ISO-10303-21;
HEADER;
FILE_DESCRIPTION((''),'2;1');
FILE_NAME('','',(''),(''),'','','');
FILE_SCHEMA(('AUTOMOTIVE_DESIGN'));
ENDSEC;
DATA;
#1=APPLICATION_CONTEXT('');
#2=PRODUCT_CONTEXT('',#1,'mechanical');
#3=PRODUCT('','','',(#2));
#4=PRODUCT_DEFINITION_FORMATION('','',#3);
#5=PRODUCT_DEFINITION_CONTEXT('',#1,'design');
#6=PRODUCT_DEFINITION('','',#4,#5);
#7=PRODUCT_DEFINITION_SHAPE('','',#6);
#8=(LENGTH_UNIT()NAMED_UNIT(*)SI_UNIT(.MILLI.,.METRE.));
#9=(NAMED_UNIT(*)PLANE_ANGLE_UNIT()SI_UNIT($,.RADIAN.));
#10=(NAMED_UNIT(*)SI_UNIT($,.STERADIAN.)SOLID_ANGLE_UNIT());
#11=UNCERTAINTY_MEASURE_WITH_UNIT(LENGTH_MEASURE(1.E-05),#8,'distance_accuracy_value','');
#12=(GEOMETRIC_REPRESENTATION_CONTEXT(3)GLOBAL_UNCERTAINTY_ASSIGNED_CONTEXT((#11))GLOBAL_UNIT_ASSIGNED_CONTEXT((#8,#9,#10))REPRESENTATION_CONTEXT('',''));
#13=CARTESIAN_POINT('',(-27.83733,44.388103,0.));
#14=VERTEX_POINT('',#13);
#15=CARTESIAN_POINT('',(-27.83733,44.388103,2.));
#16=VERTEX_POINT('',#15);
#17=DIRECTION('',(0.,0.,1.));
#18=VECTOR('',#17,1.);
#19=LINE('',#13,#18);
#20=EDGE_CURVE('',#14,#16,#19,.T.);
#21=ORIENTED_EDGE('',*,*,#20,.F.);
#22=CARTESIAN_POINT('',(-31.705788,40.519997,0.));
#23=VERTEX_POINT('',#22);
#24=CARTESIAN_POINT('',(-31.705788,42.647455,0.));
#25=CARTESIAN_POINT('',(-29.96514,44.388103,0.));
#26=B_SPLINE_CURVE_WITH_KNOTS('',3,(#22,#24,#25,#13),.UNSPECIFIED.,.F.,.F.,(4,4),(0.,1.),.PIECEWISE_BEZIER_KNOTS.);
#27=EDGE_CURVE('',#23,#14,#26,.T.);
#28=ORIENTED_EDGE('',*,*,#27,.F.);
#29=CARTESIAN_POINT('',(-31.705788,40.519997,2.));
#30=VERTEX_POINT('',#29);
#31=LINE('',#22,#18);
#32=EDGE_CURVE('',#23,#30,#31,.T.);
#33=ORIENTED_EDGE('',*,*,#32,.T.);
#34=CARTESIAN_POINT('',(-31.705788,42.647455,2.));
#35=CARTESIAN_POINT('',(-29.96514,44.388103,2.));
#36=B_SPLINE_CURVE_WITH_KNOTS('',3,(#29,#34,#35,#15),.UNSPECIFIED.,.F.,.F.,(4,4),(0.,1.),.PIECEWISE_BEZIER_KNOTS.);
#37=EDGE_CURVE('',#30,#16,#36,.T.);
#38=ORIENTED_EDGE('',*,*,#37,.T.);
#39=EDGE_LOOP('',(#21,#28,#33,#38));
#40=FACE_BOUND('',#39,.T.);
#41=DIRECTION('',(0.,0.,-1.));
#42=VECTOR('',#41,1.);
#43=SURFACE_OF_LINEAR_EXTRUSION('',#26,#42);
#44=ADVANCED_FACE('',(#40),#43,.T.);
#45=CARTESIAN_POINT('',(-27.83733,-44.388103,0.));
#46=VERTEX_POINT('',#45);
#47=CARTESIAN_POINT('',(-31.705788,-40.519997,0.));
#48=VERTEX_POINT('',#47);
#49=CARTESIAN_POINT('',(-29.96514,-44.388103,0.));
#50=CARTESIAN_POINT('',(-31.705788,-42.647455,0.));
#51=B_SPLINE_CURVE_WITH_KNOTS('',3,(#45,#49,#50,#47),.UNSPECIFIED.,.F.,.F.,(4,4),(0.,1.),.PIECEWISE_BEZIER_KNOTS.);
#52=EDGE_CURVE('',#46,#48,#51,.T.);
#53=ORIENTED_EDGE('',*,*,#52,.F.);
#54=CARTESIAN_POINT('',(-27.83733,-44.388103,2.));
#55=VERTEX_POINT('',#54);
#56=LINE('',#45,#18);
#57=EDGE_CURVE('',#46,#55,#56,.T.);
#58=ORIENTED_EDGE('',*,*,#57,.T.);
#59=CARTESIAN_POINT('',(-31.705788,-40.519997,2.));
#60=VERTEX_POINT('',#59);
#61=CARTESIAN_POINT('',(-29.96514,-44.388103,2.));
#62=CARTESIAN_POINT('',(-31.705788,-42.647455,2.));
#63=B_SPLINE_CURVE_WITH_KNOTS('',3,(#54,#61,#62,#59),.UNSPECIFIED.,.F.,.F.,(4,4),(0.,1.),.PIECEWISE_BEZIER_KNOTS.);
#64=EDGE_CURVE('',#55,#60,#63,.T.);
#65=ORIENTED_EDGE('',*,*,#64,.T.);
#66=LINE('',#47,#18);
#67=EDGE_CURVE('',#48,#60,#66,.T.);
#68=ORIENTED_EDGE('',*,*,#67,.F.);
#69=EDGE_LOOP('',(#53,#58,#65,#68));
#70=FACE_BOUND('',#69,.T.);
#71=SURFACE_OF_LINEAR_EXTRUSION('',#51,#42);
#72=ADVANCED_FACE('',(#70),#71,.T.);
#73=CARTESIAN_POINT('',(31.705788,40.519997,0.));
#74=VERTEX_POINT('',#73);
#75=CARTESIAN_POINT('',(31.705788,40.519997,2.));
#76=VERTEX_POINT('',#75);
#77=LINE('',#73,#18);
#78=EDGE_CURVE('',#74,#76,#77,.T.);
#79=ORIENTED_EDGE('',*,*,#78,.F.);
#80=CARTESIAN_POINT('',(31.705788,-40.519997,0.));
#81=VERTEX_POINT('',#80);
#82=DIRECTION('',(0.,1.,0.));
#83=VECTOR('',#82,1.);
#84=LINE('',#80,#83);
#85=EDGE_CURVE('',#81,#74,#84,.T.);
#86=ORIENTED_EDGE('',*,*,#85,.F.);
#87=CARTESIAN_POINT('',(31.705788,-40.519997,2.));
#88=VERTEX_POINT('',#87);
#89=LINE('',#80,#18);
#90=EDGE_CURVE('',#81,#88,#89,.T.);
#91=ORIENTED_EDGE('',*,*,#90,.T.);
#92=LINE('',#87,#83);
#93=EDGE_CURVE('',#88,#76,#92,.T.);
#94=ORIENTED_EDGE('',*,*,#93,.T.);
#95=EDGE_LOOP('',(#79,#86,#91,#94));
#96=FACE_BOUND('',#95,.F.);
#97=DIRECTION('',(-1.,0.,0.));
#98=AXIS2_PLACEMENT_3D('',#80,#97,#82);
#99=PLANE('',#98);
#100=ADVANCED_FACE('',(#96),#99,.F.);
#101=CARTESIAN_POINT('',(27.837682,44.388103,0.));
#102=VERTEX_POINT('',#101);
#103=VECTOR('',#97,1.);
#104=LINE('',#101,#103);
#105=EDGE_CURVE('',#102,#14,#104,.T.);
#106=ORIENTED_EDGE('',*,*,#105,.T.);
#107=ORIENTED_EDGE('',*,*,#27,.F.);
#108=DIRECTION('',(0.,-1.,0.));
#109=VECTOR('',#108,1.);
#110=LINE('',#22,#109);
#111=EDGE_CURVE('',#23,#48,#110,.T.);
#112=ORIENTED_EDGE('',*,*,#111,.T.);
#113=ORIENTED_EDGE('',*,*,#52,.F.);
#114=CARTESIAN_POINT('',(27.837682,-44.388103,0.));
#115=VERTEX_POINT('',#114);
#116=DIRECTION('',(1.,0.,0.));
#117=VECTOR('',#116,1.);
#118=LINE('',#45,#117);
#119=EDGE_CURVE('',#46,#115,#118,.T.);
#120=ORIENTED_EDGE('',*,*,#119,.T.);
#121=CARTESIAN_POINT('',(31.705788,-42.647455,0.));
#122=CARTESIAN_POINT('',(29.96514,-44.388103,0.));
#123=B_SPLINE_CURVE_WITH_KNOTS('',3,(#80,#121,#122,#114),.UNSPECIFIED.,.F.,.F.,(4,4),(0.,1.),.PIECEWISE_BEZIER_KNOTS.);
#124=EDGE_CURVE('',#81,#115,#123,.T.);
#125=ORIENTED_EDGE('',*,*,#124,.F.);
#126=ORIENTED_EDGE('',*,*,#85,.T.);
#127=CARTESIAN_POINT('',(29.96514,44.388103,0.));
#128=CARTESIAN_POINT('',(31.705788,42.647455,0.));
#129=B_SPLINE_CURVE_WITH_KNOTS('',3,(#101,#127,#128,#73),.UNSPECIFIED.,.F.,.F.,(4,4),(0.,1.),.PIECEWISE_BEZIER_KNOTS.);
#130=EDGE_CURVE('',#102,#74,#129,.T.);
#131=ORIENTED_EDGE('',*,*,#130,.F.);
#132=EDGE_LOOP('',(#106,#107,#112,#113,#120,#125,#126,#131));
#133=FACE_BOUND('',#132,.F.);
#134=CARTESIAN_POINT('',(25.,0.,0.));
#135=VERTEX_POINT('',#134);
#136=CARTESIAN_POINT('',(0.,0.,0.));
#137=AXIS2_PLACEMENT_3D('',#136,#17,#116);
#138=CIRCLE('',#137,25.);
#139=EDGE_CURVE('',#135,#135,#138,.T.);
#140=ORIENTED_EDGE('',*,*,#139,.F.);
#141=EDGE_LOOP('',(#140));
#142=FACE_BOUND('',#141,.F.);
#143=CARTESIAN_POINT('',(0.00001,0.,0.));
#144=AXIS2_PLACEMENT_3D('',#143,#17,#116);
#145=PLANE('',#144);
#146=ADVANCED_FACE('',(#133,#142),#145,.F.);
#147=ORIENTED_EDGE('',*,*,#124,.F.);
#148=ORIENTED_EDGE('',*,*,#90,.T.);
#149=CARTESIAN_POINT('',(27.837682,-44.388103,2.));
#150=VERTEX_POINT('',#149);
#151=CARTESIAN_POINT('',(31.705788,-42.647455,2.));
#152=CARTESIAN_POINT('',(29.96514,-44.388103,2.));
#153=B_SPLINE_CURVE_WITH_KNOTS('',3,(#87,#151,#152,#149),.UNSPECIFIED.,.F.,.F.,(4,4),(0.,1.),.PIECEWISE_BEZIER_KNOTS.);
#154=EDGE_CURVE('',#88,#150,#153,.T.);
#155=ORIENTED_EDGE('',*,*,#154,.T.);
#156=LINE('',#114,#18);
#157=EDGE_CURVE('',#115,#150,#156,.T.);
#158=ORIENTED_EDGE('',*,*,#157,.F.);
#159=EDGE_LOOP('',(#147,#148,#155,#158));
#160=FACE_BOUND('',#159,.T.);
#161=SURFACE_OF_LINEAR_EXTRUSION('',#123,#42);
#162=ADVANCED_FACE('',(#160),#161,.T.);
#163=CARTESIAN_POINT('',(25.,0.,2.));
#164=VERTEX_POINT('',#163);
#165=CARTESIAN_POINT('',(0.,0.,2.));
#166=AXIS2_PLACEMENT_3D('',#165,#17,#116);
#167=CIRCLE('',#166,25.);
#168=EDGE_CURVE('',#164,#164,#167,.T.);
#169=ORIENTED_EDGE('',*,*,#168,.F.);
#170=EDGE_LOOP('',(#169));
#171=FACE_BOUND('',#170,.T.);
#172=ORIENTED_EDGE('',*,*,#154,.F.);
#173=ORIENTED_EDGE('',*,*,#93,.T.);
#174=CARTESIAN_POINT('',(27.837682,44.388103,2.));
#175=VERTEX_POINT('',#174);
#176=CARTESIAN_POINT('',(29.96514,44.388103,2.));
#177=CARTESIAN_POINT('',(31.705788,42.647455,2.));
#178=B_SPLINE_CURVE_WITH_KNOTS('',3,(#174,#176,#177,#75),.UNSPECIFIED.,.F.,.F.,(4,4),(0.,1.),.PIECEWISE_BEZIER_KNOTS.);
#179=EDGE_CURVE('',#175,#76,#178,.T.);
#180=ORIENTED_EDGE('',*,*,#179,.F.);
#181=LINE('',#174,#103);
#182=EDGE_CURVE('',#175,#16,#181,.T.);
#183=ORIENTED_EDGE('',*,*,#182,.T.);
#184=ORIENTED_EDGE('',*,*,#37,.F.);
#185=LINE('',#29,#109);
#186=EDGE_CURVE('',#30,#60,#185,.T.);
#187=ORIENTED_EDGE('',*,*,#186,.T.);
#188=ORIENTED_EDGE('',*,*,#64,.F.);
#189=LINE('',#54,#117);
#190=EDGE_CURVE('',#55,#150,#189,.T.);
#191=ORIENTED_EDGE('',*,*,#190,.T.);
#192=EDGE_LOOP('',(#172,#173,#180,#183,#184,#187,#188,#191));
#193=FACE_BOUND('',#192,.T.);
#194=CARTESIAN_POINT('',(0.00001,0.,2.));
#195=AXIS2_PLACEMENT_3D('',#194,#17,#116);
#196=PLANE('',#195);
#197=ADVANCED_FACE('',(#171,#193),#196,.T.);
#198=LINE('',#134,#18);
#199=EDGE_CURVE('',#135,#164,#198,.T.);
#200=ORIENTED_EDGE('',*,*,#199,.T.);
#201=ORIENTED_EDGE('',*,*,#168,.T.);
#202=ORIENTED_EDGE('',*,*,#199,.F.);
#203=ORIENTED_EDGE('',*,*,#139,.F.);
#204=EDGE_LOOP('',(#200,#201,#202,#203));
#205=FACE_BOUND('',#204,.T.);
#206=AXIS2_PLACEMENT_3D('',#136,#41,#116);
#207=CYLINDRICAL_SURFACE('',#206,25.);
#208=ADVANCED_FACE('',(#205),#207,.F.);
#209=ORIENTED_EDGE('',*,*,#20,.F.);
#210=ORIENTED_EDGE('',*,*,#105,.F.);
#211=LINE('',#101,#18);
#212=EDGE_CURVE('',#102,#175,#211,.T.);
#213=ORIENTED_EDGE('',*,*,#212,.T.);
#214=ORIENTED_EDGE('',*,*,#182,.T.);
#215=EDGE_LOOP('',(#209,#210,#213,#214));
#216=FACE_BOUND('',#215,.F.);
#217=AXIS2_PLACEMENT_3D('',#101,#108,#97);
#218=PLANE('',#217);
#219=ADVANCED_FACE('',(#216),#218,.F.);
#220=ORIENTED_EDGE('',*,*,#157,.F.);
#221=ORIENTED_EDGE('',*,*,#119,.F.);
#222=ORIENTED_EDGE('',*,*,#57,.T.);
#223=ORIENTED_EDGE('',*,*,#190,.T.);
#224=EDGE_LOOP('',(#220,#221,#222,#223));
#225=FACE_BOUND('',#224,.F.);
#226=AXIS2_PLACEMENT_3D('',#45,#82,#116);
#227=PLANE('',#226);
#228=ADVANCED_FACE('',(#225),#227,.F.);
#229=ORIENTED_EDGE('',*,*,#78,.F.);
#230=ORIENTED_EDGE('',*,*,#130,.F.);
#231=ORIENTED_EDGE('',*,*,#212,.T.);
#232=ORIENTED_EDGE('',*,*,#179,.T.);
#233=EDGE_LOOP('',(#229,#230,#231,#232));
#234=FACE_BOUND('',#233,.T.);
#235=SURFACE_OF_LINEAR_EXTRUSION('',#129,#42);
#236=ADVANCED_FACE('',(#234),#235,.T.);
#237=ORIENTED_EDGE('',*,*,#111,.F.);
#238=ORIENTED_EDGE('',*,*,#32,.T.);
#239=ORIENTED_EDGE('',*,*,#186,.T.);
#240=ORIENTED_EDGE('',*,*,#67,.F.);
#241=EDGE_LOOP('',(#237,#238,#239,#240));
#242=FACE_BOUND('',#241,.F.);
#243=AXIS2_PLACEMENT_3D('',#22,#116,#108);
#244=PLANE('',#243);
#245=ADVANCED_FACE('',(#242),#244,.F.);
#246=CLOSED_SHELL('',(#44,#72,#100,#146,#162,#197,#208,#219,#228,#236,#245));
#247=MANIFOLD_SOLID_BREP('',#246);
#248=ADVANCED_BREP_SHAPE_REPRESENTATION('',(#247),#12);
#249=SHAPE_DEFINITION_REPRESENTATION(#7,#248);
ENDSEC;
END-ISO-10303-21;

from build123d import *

# Parameters (mm, degrees)
F0_R     = 25
F1_DEPTH = 2


with BuildPart() as f1:
    # F0 (on Top) → F1 (new body)
    with BuildSketch(Plane.XY):
        with BuildLine():
            Line((31.70578804, -40.5199971151), (31.70578804, 40.5199971151))
            add(Edge.make_bspline(
                [(27.8376818991, 44.388103256), (29.9651402766, 44.388103256), (31.70578804, 42.6474554926), (31.70578804, 40.5199971151)],
                knots=[0, 0, 0, 0, 1, 1, 1, 1], degree=3))
            Line((27.8376818991, 44.388103256), (-27.8373296126, 44.388103256))
            add(Edge.make_bspline(
                [(-31.70578804, 40.5199971151), (-31.70578804, 42.6474554926), (-29.9651402766, 44.388103256), (-27.8373296126, 44.388103256)],
                knots=[0, 0, 0, 0, 1, 1, 1, 1], degree=3))
            Line((-31.70578804, 40.5199971151), (-31.70578804, -40.5199971151))
            add(Edge.make_bspline(
                [(-27.8373296126, -44.388103256), (-29.9651402766, -44.388103256), (-31.70578804, -42.6474554926), (-31.70578804, -40.5199971151)],
                knots=[0, 0, 0, 0, 1, 1, 1, 1], degree=3))
            Line((-27.8373296126, -44.388103256), (27.8376818991, -44.388103256))
            add(Edge.make_bspline(
                [(31.70578804, -40.5199971151), (31.70578804, -42.6474554926), (29.9651402766, -44.388103256), (27.8376818991, -44.388103256)],
                knots=[0, 0, 0, 0, 1, 1, 1, 1], degree=3))
        make_face()
        Circle(F0_R, mode=Mode.SUBTRACT)
    extrude(amount=F1_DEPTH)


solid = f1.part
